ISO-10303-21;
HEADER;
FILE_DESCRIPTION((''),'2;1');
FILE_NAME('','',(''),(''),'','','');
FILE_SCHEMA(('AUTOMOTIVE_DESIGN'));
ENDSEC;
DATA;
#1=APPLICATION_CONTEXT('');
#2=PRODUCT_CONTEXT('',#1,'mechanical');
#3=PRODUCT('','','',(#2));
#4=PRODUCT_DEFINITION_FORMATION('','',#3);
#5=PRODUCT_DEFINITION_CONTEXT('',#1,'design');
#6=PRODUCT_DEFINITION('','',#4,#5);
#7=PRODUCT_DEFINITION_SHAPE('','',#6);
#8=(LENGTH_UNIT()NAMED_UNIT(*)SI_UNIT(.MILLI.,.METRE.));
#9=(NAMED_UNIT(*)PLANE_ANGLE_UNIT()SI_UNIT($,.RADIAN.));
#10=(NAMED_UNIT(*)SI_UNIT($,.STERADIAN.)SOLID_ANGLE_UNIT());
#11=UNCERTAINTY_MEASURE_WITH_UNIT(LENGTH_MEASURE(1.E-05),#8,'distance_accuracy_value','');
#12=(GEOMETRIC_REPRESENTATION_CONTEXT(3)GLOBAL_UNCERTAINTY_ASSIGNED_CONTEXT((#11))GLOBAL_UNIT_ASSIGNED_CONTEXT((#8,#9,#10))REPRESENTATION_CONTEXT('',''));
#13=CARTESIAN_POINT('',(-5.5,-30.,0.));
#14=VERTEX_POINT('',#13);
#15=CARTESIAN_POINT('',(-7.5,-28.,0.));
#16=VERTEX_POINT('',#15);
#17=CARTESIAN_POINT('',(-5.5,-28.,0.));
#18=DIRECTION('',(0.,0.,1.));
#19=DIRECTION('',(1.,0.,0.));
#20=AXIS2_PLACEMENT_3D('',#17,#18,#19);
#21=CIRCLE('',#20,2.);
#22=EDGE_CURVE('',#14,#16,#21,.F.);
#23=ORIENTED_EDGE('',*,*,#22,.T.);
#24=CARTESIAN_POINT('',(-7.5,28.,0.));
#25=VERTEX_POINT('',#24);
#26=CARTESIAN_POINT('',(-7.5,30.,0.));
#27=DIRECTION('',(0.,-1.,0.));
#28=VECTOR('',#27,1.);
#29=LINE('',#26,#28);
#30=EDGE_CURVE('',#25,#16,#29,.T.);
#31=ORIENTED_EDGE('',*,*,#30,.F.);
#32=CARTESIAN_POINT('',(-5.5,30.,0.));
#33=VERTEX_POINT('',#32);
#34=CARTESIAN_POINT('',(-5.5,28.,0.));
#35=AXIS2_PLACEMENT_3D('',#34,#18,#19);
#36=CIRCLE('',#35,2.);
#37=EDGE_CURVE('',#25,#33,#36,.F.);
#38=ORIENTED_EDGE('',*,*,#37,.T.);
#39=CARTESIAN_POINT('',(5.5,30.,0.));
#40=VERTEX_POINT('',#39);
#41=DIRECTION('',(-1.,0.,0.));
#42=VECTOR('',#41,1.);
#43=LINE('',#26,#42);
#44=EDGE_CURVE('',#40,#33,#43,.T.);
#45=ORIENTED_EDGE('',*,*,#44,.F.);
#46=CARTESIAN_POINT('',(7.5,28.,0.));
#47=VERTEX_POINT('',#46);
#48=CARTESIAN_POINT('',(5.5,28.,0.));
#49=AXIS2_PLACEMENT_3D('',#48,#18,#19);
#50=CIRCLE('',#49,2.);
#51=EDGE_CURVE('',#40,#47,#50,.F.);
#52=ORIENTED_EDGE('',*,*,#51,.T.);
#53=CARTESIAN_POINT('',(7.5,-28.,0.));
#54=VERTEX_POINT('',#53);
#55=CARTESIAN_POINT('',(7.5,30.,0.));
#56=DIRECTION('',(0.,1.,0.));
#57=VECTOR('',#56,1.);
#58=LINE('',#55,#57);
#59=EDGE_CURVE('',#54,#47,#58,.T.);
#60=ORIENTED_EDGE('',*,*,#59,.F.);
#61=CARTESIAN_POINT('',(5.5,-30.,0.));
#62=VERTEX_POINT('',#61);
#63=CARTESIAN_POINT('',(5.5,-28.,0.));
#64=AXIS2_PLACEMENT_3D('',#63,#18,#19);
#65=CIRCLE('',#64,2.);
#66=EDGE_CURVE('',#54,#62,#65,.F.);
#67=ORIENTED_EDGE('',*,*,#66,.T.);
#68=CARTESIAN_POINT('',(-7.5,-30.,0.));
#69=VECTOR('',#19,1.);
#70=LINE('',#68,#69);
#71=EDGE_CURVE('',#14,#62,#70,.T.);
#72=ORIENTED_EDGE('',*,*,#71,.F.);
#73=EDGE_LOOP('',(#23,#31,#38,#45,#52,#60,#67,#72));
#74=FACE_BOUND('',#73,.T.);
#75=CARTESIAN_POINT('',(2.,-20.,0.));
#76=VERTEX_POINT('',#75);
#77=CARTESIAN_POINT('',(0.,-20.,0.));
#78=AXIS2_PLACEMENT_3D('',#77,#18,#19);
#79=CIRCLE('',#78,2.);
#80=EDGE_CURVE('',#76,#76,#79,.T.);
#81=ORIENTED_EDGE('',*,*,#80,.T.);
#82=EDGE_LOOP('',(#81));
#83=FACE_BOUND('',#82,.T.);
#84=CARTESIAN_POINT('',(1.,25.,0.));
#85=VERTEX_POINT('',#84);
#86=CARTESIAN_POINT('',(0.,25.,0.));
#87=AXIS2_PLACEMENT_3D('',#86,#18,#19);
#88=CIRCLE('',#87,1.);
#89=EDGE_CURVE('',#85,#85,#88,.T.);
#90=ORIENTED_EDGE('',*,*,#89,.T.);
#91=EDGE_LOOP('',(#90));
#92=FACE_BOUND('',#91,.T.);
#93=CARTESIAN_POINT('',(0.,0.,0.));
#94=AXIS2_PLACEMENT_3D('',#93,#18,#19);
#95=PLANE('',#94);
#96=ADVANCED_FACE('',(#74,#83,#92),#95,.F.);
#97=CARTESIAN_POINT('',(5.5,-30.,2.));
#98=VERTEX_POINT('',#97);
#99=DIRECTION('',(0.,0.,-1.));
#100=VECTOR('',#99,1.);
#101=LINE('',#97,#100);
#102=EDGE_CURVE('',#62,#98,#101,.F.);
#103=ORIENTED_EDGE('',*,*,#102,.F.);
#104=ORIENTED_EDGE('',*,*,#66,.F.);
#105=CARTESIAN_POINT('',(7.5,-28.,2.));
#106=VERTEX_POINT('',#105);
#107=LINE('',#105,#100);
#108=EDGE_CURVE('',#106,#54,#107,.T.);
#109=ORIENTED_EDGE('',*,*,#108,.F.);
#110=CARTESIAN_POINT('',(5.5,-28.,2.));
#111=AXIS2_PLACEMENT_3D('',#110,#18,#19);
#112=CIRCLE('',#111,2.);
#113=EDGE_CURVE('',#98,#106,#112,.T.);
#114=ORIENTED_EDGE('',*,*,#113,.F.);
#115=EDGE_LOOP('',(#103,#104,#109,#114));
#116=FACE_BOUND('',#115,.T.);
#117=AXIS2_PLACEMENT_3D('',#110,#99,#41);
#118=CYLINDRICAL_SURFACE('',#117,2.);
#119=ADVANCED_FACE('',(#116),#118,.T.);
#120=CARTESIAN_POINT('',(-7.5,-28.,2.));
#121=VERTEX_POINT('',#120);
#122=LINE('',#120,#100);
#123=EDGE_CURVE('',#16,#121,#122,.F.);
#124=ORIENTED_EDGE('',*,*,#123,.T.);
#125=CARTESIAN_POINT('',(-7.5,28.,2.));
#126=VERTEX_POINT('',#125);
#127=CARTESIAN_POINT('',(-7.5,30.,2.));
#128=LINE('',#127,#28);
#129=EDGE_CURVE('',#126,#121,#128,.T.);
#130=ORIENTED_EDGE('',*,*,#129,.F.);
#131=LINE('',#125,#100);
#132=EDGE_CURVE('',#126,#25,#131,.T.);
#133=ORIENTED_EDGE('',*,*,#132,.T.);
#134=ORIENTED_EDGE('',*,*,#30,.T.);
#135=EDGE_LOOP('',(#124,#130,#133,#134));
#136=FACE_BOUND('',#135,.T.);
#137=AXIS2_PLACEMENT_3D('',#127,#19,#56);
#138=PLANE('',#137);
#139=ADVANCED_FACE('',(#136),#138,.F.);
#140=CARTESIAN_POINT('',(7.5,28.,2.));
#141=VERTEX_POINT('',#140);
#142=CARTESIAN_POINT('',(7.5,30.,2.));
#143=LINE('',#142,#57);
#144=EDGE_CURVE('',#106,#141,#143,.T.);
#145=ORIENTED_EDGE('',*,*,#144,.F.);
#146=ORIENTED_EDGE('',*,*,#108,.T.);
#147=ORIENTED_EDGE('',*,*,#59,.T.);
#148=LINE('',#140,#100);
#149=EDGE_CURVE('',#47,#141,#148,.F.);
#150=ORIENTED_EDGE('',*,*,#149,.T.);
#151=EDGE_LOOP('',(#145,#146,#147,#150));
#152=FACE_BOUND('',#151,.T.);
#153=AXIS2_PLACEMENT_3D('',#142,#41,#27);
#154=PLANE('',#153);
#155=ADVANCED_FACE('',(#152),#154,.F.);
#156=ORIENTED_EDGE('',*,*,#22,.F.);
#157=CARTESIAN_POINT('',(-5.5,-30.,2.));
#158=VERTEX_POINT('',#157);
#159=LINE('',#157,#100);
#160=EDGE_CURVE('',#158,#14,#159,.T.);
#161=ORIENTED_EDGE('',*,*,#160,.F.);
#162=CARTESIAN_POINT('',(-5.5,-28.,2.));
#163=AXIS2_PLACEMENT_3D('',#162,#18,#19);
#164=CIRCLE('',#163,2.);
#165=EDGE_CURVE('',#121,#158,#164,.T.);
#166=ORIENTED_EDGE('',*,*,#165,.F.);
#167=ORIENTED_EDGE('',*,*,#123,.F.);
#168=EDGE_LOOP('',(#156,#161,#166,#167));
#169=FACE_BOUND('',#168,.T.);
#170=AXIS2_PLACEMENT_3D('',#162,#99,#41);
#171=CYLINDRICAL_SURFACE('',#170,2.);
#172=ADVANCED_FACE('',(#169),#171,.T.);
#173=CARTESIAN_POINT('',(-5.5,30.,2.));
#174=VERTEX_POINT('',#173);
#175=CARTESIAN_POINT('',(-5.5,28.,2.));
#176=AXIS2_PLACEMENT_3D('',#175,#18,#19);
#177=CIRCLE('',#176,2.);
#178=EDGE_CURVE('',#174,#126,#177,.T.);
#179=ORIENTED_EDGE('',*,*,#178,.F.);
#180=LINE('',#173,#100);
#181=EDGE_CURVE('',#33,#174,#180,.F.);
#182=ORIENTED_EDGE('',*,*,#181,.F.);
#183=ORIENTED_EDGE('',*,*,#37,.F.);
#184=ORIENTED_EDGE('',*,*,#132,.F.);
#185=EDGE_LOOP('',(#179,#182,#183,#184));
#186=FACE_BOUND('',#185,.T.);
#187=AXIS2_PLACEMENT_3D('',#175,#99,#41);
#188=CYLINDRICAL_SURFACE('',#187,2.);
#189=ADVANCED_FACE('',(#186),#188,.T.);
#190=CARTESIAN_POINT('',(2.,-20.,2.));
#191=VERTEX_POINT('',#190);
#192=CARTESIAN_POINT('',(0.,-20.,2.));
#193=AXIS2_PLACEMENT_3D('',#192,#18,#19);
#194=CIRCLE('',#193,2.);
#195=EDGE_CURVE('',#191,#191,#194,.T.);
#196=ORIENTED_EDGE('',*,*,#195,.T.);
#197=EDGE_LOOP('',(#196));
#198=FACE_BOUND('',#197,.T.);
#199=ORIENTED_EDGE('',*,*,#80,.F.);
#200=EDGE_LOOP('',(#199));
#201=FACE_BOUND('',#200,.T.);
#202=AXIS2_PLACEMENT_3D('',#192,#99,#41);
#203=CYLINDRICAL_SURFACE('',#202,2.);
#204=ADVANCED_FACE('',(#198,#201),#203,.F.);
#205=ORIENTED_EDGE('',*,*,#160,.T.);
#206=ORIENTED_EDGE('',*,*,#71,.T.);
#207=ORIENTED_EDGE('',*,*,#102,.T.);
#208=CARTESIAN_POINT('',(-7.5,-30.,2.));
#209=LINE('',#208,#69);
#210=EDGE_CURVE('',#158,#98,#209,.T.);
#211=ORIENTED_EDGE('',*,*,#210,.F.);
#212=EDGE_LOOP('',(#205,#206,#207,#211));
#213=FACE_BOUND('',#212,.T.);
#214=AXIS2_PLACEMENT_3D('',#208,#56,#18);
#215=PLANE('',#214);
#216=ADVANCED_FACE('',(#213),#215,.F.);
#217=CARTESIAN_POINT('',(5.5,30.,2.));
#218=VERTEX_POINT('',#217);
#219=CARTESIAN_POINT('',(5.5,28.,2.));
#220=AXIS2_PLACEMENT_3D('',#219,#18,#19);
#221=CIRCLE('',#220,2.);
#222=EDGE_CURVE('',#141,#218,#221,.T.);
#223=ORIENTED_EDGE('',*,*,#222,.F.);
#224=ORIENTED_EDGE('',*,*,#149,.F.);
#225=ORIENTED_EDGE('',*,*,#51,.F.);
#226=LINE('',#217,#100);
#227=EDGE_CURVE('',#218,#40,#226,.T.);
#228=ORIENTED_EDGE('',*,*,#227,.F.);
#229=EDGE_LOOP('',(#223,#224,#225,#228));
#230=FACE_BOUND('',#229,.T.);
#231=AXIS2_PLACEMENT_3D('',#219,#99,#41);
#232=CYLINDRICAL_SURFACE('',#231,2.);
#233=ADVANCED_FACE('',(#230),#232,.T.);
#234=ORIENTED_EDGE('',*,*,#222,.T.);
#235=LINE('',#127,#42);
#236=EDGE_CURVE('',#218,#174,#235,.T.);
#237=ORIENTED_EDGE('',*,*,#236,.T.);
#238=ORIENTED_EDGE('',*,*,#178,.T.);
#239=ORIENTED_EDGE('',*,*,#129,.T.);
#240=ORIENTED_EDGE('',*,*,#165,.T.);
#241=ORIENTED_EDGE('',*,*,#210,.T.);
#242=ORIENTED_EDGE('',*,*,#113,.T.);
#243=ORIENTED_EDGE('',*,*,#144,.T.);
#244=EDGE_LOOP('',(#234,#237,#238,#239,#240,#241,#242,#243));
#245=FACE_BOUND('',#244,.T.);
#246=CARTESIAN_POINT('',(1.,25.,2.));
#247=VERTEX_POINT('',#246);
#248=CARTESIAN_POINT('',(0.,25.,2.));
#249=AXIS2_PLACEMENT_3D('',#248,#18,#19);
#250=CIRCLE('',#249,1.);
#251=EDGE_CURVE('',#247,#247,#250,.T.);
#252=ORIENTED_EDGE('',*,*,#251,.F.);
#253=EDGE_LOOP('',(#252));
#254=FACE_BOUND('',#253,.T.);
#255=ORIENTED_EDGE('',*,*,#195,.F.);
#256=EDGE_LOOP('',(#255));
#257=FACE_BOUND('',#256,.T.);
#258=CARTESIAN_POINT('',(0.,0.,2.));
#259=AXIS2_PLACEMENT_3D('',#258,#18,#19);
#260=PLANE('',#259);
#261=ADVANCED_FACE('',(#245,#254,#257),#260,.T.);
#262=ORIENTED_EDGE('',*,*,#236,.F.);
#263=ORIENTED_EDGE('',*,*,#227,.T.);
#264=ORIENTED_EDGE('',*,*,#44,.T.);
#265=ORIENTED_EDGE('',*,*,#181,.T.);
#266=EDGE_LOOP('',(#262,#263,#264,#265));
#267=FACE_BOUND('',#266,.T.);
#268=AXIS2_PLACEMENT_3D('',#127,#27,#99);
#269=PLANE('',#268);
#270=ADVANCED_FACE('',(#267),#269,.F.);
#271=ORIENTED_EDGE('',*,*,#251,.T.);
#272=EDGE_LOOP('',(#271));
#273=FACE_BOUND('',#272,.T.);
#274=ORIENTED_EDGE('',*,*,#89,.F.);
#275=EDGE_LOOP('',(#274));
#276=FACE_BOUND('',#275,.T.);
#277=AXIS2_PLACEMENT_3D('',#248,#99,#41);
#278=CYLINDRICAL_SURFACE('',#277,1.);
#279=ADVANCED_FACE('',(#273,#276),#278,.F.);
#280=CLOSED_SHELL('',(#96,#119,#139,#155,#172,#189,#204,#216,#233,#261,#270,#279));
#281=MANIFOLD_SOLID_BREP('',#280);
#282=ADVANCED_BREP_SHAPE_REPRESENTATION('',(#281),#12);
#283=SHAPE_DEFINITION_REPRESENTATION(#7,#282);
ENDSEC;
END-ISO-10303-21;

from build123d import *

# Parameters (mm, degrees)
SKETCH1_W           = 15
SKETCH1_H           = 60
SKETCH1_R           = 2
SKETCH1_R_2         = 1
BOSS_EXTRUDE1_DEPTH = 2
FILLET1_R           = 2


with BuildPart() as part:
    # Sketch1 → Boss-Extrude1 (new body)
    with BuildSketch(Plane.XY):
        Rectangle(SKETCH1_W, SKETCH1_H)
        with Locations((0, -20)):
            Circle(SKETCH1_R, mode=Mode.SUBTRACT)
        with Locations((0, 25)):
            Circle(SKETCH1_R_2, mode=Mode.SUBTRACT)
    extrude(amount=BOSS_EXTRUDE1_DEPTH)

    # Fillet1
    fillet1_edges = [part.edges().sort_by_distance(p)[0] for p in [
        (7.5, -30, 1),
        (-7.5, -30, 1),
        (-7.5, 30, 1),
        (7.5, 30, 1),
    ]]
    fillet(fillet1_edges, radius=FILLET1_R)


solid = part.part
